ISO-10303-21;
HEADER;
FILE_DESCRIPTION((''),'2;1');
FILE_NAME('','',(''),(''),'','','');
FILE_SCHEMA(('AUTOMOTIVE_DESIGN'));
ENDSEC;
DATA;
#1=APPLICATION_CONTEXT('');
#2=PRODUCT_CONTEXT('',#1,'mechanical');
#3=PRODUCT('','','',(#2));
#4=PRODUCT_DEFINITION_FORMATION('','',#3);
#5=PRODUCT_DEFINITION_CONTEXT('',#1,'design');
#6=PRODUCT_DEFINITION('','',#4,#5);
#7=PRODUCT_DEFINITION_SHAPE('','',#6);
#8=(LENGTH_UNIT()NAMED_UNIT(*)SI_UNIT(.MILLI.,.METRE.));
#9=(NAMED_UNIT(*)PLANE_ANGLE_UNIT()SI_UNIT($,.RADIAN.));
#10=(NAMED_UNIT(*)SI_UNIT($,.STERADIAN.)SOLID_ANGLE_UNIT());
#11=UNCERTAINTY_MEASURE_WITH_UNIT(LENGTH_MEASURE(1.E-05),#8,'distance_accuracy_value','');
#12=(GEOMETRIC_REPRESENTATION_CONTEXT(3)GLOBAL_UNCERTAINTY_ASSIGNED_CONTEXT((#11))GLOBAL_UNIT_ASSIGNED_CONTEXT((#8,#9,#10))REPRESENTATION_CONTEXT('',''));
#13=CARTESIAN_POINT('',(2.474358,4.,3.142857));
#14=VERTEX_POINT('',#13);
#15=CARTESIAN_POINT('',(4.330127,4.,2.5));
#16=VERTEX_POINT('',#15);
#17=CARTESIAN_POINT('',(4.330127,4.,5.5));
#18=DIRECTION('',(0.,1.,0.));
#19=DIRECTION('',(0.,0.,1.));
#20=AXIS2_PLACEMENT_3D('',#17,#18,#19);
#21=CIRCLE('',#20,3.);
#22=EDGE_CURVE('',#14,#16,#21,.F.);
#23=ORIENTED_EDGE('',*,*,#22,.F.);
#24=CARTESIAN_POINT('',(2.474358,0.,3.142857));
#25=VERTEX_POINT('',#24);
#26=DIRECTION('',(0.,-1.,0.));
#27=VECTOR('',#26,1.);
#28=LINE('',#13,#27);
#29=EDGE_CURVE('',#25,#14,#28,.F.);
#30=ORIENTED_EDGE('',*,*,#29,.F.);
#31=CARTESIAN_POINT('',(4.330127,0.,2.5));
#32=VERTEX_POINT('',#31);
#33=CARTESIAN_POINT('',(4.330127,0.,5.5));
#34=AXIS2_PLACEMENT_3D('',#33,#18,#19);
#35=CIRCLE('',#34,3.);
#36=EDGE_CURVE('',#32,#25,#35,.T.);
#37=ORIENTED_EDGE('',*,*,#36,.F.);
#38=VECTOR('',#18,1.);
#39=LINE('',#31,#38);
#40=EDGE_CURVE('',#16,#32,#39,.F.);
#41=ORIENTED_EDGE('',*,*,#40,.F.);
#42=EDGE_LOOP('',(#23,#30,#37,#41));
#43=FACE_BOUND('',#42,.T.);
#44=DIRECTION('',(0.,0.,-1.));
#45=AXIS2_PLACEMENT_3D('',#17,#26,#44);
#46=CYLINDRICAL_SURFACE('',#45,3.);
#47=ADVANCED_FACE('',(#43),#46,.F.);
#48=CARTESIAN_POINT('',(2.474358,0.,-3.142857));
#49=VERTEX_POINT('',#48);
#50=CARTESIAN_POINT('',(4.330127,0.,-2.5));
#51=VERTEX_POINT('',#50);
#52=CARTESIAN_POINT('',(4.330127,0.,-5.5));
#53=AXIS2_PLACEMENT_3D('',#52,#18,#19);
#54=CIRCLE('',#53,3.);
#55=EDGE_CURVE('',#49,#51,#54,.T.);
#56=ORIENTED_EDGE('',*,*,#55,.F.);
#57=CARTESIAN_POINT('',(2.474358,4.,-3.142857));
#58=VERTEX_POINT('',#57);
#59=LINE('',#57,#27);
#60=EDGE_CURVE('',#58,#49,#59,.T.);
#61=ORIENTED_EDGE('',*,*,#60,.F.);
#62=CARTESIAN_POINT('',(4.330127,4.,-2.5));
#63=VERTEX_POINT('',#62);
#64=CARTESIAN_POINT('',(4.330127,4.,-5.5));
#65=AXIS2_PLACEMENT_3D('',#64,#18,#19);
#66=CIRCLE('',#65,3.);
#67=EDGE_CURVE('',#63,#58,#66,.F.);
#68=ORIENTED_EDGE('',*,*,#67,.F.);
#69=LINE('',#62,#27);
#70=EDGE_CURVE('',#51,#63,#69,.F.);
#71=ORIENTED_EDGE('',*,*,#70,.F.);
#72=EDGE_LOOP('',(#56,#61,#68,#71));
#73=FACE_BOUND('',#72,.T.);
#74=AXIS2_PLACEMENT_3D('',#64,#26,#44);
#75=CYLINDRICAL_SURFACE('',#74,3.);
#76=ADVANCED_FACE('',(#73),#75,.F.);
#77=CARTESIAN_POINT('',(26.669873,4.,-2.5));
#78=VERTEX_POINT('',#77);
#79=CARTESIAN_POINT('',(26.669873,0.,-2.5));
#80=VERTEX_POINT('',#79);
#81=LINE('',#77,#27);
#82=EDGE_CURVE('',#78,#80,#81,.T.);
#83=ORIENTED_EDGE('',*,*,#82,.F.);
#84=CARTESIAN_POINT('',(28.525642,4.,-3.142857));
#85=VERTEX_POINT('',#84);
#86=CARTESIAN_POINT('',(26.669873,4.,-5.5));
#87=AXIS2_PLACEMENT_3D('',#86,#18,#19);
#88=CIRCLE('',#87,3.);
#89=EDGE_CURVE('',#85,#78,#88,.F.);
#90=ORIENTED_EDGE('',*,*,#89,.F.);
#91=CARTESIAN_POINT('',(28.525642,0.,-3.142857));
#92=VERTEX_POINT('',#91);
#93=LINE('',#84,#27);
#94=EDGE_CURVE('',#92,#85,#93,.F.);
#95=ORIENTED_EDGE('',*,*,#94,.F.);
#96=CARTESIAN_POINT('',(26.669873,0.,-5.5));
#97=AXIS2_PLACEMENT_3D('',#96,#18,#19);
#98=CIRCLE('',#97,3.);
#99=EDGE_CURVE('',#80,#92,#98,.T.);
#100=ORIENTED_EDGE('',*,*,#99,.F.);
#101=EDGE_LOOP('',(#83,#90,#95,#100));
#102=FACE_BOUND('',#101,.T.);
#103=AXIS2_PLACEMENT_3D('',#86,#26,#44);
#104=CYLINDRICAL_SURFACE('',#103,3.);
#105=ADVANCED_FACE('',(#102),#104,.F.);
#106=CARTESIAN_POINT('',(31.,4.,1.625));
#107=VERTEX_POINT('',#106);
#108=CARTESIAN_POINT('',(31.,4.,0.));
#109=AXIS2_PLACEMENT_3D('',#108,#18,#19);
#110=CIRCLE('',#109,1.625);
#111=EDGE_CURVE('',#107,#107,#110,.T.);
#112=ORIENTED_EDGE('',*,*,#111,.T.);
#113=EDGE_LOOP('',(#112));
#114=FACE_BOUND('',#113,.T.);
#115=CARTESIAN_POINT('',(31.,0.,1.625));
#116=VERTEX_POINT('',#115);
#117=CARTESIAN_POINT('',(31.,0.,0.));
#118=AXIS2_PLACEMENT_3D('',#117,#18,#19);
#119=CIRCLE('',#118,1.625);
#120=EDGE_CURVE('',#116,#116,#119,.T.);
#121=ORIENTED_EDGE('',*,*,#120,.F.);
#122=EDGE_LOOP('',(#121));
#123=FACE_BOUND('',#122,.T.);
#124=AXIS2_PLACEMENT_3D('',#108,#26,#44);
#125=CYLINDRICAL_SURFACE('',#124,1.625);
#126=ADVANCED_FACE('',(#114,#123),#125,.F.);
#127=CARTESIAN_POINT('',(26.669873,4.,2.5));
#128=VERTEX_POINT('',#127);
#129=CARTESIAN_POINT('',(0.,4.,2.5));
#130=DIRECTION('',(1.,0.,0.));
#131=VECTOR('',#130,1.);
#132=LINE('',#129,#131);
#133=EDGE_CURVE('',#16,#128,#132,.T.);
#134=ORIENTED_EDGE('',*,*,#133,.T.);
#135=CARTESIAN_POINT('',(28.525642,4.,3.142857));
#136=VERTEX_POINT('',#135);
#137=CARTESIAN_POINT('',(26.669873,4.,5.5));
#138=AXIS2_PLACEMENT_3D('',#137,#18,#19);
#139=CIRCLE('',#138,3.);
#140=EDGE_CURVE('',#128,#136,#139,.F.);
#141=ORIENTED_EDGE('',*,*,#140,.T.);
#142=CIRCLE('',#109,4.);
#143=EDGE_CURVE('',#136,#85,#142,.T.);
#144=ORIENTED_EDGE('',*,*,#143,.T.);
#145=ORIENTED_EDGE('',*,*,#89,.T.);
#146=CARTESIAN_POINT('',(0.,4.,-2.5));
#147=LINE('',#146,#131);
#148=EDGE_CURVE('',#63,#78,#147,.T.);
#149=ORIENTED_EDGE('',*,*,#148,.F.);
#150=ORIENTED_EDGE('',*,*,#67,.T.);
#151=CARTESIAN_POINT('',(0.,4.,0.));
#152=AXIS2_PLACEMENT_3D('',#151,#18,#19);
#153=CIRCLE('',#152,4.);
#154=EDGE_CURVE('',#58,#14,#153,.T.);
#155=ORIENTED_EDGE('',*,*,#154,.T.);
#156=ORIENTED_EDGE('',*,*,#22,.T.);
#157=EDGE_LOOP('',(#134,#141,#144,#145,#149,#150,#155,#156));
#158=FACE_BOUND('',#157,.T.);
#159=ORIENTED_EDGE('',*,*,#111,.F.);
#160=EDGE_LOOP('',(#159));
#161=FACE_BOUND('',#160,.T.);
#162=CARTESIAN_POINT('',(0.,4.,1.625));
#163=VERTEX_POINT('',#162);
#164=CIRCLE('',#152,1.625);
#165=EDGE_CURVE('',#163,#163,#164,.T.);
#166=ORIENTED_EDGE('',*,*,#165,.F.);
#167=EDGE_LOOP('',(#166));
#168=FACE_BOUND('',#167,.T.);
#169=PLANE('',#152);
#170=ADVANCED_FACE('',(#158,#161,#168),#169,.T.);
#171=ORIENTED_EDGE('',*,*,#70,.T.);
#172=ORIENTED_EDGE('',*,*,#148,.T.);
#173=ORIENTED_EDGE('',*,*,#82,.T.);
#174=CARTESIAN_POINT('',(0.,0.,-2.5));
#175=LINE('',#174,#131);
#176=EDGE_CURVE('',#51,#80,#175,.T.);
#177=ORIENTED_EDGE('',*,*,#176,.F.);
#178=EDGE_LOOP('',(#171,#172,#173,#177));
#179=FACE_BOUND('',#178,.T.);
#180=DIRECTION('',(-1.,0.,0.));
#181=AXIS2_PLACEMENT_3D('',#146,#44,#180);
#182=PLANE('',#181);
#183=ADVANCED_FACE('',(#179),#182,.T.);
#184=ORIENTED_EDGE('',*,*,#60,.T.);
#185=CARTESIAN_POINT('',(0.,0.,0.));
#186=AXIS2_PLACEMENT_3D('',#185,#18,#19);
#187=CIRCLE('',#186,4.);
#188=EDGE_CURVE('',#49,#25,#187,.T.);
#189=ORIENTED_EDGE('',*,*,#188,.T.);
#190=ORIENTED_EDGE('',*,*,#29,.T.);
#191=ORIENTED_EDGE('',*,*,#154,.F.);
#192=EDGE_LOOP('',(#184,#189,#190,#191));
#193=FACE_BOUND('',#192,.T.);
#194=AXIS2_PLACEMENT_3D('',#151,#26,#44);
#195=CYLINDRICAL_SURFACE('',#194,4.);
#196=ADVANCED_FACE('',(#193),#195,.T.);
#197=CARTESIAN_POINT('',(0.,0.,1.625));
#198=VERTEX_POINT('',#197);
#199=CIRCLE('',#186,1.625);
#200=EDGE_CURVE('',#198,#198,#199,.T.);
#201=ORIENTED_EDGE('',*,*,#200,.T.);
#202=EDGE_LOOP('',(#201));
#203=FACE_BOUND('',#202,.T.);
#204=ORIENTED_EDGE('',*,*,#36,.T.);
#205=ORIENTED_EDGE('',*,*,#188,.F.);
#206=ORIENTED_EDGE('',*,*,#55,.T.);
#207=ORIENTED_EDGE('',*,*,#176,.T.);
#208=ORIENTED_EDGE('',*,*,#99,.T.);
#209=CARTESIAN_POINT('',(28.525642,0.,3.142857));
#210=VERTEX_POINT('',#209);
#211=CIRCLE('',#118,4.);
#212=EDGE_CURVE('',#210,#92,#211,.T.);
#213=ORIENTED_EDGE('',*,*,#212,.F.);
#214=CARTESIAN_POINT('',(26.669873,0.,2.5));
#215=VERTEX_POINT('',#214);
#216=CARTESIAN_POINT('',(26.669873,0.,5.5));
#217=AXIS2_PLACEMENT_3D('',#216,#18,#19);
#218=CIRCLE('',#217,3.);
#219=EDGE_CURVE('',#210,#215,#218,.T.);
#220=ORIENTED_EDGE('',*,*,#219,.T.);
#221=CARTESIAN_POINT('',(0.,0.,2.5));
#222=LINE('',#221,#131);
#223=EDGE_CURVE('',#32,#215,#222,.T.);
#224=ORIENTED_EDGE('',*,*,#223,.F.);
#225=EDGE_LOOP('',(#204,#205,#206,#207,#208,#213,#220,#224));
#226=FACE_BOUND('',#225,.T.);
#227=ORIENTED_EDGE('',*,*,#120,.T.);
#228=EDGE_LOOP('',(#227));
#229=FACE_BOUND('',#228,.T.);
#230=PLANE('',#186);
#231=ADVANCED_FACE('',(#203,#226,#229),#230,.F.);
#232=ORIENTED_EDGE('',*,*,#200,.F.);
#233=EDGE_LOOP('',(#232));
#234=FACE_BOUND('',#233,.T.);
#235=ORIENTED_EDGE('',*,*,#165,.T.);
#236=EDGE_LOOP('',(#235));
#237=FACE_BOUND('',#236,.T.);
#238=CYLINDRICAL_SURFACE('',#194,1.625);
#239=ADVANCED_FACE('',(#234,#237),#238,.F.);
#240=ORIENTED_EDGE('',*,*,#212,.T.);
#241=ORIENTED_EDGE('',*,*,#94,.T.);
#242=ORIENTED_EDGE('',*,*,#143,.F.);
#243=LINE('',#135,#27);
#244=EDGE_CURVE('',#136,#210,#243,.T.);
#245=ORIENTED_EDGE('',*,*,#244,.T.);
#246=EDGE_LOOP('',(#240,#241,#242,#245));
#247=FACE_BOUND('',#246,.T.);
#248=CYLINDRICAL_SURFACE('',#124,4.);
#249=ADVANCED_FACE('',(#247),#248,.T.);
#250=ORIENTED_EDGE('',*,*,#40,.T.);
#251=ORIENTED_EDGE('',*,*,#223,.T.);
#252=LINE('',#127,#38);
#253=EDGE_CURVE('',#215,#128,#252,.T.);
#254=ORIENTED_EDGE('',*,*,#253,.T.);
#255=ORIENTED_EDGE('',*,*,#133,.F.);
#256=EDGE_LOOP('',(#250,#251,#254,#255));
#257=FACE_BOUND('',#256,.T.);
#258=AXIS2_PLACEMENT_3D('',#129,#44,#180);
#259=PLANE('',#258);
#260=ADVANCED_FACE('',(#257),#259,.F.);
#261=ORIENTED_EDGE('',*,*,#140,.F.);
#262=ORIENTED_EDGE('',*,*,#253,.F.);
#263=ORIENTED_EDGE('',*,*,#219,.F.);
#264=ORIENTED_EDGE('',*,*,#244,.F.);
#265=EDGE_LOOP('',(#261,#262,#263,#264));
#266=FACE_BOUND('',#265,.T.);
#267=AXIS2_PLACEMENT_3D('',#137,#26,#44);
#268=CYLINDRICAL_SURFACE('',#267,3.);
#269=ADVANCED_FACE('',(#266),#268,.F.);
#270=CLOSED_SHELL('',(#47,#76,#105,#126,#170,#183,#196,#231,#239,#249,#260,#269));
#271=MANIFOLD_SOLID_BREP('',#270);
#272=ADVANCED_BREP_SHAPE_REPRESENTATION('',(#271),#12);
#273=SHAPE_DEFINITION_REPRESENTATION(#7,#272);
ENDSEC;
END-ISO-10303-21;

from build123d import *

# Parameters (mm, degrees)
SKETCH1_R           = 1.625
BOSS_EXTRUDE1_DEPTH = 4
FILLET1_R           = 3


with BuildPart() as part:
    # Sketch1 → Boss-Extrude1 (new body)
    with BuildSketch(Plane(origin=(0, 0, 0), x_dir=(1, 0, 0), z_dir=(0, 1, 0))):
        with BuildLine():
            ThreePointArc((3.122498999, 2.5), (-4, 0), (3.122498999, -2.5))
            Line((3.122498999, -2.5), (27.877501001, -2.5))
            ThreePointArc((27.877501001, -2.5), (35, 0), (27.877501001, 2.5))
            Line((27.877501001, 2.5), (3.122498999, 2.5))
        make_face()
        with Locations(Location((0, 0, 0), (0, 0, 270))):
            Circle(SKETCH1_R, mode=Mode.SUBTRACT)
        with Locations(Location((31, 0, 0), (0, 0, 270))):
            Circle(SKETCH1_R, mode=Mode.SUBTRACT)
    extrude(amount=BOSS_EXTRUDE1_DEPTH)

    # Fillet1
    fillet1_edges = [part.edges().sort_by_distance(p)[0] for p in [
        (27.877501001, 2, 2.5),
        (3.122498999, 2, 2.5),
        (3.122498999, 2, -2.5),
        (27.877501001, 2, -2.5),
    ]]
    fillet(fillet1_edges, radius=FILLET1_R)


solid = part.part
